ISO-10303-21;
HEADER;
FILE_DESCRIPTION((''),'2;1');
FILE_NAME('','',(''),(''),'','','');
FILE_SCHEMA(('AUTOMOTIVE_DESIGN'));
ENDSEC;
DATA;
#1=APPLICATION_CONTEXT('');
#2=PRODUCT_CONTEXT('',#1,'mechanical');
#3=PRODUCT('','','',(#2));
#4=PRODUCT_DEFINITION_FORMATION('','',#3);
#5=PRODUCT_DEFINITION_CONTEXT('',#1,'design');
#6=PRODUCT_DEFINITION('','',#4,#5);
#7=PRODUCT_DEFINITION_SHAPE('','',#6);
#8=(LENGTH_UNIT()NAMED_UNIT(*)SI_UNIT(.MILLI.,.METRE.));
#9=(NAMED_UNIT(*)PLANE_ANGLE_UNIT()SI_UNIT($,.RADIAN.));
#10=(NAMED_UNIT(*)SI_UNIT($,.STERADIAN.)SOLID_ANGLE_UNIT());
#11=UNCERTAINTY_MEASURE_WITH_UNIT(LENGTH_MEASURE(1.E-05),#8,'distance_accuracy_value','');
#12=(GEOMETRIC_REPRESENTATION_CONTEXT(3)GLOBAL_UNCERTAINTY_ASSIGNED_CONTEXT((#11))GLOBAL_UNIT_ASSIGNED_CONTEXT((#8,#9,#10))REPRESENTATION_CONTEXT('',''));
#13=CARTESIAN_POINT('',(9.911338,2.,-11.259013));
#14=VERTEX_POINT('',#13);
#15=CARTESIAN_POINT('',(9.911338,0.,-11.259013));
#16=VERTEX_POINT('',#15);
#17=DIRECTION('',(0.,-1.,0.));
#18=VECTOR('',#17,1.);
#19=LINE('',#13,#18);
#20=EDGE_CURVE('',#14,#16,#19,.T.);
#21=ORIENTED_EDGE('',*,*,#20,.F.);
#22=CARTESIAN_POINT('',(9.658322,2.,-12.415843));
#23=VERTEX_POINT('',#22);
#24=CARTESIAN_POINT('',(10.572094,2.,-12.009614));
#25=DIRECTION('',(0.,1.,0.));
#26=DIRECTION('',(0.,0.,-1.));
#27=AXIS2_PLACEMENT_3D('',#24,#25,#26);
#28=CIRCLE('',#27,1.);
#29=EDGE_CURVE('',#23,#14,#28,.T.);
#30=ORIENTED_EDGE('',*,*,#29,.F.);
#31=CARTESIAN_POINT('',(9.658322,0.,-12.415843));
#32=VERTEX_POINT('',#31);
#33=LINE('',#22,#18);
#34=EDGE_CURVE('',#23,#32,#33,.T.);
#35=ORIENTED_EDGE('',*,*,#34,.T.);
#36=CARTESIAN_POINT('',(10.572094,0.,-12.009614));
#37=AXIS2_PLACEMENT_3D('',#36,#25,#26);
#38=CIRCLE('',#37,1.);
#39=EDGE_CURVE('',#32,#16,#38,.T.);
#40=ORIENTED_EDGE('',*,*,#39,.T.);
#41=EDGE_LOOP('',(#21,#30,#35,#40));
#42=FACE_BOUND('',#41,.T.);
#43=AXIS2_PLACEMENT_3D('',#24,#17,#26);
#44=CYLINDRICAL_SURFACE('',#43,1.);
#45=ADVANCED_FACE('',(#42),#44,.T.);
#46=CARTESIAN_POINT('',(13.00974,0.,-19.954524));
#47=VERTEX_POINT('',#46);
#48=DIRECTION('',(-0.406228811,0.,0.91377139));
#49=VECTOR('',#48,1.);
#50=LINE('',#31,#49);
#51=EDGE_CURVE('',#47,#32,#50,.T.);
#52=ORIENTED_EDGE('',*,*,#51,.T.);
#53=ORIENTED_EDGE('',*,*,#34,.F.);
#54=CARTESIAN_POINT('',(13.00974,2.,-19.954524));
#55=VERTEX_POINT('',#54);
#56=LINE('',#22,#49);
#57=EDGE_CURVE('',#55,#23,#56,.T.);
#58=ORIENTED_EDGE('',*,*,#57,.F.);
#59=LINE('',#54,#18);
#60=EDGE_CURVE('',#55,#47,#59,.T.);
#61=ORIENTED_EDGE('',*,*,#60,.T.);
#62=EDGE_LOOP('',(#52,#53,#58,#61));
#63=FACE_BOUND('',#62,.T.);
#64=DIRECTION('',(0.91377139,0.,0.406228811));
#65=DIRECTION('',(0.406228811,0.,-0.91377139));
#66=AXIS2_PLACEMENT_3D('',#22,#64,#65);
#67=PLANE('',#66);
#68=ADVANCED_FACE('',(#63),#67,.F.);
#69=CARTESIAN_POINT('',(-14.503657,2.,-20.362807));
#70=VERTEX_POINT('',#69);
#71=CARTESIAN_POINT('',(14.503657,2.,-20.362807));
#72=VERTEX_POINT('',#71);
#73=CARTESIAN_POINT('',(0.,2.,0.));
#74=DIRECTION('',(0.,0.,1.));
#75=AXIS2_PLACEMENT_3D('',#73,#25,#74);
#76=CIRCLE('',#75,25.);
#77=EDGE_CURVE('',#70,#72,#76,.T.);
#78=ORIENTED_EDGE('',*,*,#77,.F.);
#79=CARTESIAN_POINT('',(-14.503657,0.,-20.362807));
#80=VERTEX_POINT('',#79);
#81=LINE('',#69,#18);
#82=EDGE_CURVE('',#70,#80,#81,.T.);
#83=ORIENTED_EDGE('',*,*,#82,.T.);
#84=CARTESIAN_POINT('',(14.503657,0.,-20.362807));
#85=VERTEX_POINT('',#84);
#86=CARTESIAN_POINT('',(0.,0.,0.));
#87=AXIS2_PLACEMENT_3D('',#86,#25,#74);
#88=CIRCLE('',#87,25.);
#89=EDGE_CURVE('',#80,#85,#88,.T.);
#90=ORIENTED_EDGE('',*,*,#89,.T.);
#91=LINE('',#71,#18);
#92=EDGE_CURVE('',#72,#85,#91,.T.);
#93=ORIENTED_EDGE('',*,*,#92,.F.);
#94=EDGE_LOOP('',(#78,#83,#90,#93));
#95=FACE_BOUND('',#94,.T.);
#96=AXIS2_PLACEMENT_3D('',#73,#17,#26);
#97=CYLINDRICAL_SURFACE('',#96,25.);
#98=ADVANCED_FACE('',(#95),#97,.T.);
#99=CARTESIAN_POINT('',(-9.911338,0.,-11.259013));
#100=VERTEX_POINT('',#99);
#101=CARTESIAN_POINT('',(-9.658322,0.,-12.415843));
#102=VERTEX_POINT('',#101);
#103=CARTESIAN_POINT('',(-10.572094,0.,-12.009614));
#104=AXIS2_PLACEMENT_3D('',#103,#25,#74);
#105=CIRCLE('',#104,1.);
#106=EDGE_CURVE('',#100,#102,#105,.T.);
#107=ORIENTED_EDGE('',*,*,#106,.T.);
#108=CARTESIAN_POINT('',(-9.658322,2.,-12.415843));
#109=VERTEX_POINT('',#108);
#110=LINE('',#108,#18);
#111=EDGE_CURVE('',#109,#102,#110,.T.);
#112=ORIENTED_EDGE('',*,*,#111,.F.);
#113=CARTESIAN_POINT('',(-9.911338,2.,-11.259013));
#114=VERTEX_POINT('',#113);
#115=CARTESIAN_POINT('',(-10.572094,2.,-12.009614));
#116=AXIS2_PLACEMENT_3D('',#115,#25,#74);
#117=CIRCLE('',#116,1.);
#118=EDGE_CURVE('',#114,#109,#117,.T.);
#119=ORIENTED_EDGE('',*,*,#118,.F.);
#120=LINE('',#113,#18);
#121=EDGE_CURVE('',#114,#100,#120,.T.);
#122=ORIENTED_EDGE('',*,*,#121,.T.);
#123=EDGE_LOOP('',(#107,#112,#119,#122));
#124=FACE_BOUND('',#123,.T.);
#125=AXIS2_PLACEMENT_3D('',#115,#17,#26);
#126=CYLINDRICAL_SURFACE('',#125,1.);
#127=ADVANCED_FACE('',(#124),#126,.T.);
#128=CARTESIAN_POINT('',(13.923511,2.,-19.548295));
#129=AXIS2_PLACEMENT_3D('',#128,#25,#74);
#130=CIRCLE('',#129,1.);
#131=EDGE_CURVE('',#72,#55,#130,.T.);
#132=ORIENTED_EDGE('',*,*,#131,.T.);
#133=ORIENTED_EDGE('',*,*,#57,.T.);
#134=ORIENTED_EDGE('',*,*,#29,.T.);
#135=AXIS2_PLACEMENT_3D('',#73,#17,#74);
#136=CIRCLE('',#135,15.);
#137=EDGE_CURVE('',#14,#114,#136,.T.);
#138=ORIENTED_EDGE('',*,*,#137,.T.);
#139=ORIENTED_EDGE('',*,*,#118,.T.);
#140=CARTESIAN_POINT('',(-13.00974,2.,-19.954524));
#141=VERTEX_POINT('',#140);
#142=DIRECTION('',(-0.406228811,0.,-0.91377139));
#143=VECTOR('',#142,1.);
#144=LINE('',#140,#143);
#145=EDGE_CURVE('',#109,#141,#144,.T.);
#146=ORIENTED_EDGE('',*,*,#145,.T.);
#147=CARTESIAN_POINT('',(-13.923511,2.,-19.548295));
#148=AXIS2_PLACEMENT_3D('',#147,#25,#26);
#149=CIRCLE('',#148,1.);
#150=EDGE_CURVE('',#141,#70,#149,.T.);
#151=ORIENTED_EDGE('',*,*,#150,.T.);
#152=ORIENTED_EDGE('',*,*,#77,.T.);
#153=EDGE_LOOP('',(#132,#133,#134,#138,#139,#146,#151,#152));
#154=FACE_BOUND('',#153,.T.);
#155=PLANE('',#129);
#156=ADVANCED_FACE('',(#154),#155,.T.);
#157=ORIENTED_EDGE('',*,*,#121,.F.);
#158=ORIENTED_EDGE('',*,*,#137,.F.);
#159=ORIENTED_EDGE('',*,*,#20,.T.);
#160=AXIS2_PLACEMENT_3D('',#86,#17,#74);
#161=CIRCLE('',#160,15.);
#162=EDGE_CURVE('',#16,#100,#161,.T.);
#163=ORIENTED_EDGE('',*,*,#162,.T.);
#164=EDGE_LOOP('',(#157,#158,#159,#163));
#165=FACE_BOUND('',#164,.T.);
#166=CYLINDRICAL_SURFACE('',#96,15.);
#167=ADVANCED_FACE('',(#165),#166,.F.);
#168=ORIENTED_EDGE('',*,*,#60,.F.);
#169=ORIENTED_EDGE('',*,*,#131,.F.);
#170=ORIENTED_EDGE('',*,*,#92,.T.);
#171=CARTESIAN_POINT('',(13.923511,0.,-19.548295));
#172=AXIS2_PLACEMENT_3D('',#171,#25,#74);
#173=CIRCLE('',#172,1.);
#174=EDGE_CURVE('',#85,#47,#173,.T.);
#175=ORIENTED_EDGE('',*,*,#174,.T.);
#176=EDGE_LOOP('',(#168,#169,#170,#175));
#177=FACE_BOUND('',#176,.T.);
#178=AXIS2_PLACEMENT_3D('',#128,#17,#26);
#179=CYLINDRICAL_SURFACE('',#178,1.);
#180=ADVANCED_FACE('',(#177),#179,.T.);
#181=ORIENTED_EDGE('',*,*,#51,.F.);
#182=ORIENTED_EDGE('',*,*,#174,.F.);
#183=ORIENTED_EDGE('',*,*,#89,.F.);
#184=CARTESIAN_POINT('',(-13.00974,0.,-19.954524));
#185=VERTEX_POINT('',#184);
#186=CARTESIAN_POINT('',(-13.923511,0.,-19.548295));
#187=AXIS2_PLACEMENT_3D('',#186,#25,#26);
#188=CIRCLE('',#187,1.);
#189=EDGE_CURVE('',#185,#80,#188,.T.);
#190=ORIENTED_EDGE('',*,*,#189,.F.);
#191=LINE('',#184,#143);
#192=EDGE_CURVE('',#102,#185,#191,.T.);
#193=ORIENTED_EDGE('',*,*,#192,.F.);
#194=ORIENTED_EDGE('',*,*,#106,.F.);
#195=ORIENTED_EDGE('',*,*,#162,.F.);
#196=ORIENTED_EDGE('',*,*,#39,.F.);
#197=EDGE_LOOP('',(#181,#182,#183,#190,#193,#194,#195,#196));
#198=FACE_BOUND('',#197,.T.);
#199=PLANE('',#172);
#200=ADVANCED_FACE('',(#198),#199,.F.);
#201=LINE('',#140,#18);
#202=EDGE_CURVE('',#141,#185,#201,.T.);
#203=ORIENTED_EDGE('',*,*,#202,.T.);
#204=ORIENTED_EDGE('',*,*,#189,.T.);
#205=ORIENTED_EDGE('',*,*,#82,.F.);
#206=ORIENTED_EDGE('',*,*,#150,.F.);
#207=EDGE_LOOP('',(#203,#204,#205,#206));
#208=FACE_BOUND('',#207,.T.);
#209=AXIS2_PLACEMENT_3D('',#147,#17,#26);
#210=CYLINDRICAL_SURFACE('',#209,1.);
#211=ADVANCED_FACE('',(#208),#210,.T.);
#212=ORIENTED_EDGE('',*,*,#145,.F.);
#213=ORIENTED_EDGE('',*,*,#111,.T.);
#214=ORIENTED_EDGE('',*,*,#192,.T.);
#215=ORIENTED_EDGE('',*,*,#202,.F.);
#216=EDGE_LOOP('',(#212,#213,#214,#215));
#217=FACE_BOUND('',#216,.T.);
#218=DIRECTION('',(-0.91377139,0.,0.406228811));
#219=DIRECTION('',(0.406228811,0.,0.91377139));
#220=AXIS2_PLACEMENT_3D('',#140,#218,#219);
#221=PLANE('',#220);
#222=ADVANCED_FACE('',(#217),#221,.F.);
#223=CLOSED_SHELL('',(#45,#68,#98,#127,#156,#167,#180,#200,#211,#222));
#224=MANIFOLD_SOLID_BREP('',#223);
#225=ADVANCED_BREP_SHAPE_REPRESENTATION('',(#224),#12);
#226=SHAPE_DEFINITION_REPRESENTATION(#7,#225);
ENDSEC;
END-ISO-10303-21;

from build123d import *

# Parameters (mm, degrees)
BOSS_EXTRUDE1_DEPTH = 2


with BuildPart() as part:
    # Sketch1 → Boss-Extrude1 (new body)
    with BuildSketch(Plane(origin=(0, 0, 0), x_dir=(1, 0, 0), z_dir=(0, 1, 0))):
        with BuildLine():
            Line((-13.009739648, 19.954523886), (-9.658322262, 12.415843118))
            ThreePointArc((-9.658322262, 12.415843118), (-9.595186414, 11.795950439), (-9.911337799, 11.259013413))
            ThreePointArc((-9.911337799, 11.259013413), (0, -15), (9.911337799, 11.259013413))
            ThreePointArc((9.911337799, 11.259013413), (9.595186414, 11.795950439), (9.658322262, 12.415843118))
            Line((9.658322262, 12.415843118), (13.009739648, 19.954523886))
            ThreePointArc((13.009739648, 19.954523886), (13.659881986, 20.512919211), (14.503657332, 20.36280737))
            ThreePointArc((14.503657332, 20.36280737), (0, -25), (-14.503657332, 20.36280737))
            ThreePointArc((-14.503657332, 20.36280737), (-13.659881986, 20.512919211), (-13.009739648, 19.954523886))
        make_face()
    extrude(amount=BOSS_EXTRUDE1_DEPTH)


solid = part.part
